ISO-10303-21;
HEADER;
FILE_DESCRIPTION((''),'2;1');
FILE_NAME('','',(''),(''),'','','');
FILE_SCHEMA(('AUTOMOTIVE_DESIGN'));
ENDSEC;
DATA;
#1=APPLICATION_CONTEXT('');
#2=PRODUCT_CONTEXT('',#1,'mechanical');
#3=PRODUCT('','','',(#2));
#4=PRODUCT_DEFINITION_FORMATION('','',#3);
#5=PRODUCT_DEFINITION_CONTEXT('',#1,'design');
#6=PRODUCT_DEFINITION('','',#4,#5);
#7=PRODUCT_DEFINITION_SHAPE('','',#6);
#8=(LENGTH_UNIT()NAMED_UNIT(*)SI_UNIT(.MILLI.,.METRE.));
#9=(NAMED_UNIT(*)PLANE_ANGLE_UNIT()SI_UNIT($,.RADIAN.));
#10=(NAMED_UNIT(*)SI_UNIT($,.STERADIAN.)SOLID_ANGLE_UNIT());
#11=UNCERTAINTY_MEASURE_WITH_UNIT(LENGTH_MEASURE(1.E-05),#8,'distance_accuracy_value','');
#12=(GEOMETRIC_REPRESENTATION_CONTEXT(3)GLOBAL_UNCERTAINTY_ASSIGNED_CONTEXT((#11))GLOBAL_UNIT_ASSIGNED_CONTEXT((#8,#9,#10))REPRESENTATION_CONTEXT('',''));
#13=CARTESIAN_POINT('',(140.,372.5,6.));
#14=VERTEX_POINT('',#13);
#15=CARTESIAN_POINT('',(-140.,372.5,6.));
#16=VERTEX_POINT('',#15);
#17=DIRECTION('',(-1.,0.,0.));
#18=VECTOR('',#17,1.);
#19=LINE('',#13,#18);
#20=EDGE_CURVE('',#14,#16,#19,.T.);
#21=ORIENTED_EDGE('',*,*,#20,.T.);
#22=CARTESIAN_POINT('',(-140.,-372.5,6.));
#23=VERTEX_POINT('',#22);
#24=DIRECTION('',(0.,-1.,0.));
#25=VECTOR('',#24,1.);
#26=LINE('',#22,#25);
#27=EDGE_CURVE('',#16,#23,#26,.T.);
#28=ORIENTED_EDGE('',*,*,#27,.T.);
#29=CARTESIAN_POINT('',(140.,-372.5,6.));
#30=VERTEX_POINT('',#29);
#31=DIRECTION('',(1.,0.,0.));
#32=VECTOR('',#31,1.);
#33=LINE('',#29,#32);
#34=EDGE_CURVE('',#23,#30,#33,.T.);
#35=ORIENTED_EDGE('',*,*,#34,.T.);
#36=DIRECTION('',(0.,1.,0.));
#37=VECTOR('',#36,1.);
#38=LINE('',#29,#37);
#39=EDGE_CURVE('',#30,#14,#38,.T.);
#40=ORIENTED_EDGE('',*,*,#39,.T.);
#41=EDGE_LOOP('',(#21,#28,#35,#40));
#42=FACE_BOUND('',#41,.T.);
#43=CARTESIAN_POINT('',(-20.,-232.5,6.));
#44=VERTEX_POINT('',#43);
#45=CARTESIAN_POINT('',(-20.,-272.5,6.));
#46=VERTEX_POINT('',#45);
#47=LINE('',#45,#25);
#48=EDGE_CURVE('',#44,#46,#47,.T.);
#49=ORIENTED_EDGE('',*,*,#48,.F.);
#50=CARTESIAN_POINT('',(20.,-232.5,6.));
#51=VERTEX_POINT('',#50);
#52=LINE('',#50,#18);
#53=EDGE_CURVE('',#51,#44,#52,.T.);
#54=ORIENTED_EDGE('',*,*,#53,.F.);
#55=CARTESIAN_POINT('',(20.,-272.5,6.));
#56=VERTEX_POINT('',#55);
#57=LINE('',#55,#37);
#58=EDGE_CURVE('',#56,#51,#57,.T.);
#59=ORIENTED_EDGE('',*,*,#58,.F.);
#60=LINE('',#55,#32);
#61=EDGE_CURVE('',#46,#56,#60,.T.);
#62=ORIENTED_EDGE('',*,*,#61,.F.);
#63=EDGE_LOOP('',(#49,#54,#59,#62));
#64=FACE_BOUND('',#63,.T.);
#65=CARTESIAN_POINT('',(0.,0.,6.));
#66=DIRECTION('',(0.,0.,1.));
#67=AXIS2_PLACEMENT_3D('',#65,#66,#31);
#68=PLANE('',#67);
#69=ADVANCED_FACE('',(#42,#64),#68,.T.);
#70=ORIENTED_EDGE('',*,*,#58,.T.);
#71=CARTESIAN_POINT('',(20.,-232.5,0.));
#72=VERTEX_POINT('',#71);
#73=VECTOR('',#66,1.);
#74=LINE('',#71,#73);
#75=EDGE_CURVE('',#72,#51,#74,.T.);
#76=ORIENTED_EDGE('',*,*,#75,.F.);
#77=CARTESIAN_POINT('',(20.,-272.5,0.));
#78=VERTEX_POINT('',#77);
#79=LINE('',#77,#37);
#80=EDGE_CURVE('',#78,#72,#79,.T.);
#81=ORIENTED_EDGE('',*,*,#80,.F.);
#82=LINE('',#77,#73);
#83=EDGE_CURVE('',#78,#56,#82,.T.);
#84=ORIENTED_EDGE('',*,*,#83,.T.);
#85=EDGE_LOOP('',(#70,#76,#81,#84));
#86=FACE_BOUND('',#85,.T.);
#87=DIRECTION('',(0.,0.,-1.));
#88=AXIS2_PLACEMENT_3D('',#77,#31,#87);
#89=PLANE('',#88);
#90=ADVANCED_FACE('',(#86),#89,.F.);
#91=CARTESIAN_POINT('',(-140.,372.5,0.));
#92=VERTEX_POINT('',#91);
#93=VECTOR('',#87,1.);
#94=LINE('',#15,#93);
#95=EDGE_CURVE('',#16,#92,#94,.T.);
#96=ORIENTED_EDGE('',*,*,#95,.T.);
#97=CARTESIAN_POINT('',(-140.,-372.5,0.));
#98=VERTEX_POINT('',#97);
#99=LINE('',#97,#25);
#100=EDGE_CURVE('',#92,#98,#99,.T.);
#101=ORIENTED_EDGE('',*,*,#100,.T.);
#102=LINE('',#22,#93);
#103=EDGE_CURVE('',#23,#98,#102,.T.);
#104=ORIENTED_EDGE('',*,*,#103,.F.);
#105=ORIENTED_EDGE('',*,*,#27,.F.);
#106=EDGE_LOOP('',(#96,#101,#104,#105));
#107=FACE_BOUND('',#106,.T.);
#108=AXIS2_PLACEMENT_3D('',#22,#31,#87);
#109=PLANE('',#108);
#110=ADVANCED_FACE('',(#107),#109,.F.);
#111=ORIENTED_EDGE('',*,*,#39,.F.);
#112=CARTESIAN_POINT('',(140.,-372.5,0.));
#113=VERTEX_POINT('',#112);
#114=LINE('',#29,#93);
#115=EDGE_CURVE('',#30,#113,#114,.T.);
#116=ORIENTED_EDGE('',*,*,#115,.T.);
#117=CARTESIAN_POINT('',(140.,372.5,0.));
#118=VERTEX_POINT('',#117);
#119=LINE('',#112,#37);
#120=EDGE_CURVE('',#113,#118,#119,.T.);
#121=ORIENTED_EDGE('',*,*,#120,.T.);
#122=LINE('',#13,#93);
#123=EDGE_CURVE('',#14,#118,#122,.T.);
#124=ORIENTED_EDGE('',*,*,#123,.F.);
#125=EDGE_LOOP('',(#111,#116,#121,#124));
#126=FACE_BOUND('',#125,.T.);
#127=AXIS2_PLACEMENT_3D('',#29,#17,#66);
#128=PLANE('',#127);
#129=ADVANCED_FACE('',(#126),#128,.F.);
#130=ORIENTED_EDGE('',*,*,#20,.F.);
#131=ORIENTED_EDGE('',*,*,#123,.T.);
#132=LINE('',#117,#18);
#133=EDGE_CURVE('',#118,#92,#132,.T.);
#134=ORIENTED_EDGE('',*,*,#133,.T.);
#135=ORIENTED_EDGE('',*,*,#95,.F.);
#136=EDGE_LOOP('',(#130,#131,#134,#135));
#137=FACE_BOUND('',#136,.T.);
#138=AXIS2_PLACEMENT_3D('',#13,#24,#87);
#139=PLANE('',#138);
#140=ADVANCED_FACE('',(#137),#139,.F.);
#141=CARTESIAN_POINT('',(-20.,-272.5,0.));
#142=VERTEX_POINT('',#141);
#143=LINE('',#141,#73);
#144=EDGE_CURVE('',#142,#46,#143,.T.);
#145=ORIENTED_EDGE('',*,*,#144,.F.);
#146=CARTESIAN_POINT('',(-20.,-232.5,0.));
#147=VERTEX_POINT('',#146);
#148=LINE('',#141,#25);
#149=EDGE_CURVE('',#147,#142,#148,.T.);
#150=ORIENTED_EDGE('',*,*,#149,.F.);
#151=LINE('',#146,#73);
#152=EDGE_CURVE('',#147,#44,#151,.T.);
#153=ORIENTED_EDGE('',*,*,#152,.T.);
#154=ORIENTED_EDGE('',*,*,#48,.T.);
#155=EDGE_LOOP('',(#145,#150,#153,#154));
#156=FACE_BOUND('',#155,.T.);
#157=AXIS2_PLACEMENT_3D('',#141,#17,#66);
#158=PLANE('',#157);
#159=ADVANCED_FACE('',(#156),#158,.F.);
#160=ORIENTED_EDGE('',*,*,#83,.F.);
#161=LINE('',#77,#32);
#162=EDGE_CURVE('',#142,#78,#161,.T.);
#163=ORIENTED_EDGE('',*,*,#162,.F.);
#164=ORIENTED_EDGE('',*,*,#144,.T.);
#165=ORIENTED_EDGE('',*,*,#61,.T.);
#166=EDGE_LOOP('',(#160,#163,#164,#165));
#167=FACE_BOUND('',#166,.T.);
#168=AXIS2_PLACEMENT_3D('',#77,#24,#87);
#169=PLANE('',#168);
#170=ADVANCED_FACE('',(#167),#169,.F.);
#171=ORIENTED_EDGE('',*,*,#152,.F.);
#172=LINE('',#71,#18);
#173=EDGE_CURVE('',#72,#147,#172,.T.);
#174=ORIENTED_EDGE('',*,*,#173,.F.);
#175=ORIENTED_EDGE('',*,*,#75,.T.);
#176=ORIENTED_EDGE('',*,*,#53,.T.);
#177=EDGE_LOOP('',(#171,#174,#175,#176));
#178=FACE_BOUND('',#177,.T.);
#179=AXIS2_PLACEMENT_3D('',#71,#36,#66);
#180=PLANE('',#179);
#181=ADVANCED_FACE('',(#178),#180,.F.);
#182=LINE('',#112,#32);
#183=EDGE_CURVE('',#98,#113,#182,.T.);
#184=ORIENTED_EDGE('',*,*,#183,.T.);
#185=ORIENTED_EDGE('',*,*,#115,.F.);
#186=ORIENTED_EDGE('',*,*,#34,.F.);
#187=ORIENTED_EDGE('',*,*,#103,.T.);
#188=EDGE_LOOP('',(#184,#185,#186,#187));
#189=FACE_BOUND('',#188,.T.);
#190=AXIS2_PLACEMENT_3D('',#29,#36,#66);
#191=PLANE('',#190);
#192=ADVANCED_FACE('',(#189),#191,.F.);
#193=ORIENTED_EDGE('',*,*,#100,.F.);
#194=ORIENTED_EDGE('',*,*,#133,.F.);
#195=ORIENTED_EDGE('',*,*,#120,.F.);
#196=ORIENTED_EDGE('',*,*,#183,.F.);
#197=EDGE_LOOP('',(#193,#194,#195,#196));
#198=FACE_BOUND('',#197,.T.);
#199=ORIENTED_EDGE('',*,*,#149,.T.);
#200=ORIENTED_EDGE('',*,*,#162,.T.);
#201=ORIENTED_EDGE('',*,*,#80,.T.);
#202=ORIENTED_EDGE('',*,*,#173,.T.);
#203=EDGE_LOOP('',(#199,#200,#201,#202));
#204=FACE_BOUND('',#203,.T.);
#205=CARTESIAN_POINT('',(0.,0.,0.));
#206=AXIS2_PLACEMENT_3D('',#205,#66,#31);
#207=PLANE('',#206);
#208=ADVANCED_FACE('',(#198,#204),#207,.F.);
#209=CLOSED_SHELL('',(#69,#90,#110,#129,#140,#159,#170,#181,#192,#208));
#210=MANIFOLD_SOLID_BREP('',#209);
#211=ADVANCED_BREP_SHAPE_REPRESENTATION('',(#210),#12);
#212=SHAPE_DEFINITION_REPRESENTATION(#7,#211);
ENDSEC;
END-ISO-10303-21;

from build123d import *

# Parameters (mm, degrees)
SKETCH1_W           = 280
SKETCH1_H           = 745
BOSS_EXTRUDE1_DEPTH = 6
SKETCH2_W           = 40
SKETCH2_H           = 40
CUT_EXTRUDE1_DEPTH  = 398.98523842


with BuildPart() as part:
    # Sketch1 → Boss-Extrude1 (new body)
    with BuildSketch(Plane.XY):
        Rectangle(SKETCH1_W, SKETCH1_H)
    extrude(amount=BOSS_EXTRUDE1_DEPTH)

    # Sketch2 → Cut-Extrude1 (cut, through all)
    with BuildSketch(Plane.XY.offset(6)):
        with Locations((0, -252.5)):
            Rectangle(SKETCH2_W, SKETCH2_H)
    extrude(amount=-CUT_EXTRUDE1_DEPTH, mode=Mode.SUBTRACT)


solid = part.part
